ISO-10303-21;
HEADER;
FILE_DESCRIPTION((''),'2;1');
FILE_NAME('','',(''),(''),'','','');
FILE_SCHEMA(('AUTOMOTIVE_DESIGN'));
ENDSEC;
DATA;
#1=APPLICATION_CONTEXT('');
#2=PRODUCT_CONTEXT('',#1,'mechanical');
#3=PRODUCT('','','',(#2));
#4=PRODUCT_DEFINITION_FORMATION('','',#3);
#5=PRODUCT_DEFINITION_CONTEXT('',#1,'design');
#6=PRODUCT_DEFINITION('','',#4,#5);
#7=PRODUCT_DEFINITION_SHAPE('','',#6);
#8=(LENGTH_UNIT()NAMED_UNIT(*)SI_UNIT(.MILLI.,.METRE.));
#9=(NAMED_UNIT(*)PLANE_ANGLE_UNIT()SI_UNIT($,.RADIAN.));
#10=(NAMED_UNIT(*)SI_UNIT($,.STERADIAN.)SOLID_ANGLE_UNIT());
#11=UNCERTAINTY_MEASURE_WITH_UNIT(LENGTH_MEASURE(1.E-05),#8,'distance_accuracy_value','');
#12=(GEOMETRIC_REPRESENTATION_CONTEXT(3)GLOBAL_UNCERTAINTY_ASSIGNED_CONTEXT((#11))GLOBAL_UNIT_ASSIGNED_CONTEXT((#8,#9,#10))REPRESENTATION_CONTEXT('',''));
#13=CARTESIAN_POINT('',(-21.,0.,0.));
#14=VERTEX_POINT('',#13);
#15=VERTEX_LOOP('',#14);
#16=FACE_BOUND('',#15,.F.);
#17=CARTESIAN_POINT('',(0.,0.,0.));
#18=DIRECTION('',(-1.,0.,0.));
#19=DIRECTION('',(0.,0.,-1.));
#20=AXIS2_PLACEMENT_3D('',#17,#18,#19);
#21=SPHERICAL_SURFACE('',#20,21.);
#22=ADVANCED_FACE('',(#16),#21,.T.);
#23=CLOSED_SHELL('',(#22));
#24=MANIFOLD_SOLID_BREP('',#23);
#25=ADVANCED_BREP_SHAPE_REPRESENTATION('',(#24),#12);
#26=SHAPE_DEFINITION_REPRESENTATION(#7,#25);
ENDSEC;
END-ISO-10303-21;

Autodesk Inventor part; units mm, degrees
ref_plane "YZ Plane" through (0, 0, 0) normal (1, 0, 0) x (0, 1, 0)
ref_plane "XZ Plane" through (0, 0, 0) normal (0, 1, 0) x (-1, 0, 0)
ref_plane "XY Plane" through (0, 0, 0) normal (0, 0, 1) x (1, 0, 0)
sketch "Sketch1" plane through (0, 0, 0) normal (0, 1, 0) x (-1, 0, 0)
  circle A0 centre (0, 0) radius 21
  line L0 (21, 0) -> (-21, 0)
  line L1 (29.4, 0) -> (-29.4, 0) projected
  dimension "d0" = 42
revolve "Revolution1" add sketch "Sketch1" angle 360 about axis through (-10, 0, 0) along (1, 0, 0) picked at (1.6456, -10.202) contours A0 L0
properties part number "Ball"
